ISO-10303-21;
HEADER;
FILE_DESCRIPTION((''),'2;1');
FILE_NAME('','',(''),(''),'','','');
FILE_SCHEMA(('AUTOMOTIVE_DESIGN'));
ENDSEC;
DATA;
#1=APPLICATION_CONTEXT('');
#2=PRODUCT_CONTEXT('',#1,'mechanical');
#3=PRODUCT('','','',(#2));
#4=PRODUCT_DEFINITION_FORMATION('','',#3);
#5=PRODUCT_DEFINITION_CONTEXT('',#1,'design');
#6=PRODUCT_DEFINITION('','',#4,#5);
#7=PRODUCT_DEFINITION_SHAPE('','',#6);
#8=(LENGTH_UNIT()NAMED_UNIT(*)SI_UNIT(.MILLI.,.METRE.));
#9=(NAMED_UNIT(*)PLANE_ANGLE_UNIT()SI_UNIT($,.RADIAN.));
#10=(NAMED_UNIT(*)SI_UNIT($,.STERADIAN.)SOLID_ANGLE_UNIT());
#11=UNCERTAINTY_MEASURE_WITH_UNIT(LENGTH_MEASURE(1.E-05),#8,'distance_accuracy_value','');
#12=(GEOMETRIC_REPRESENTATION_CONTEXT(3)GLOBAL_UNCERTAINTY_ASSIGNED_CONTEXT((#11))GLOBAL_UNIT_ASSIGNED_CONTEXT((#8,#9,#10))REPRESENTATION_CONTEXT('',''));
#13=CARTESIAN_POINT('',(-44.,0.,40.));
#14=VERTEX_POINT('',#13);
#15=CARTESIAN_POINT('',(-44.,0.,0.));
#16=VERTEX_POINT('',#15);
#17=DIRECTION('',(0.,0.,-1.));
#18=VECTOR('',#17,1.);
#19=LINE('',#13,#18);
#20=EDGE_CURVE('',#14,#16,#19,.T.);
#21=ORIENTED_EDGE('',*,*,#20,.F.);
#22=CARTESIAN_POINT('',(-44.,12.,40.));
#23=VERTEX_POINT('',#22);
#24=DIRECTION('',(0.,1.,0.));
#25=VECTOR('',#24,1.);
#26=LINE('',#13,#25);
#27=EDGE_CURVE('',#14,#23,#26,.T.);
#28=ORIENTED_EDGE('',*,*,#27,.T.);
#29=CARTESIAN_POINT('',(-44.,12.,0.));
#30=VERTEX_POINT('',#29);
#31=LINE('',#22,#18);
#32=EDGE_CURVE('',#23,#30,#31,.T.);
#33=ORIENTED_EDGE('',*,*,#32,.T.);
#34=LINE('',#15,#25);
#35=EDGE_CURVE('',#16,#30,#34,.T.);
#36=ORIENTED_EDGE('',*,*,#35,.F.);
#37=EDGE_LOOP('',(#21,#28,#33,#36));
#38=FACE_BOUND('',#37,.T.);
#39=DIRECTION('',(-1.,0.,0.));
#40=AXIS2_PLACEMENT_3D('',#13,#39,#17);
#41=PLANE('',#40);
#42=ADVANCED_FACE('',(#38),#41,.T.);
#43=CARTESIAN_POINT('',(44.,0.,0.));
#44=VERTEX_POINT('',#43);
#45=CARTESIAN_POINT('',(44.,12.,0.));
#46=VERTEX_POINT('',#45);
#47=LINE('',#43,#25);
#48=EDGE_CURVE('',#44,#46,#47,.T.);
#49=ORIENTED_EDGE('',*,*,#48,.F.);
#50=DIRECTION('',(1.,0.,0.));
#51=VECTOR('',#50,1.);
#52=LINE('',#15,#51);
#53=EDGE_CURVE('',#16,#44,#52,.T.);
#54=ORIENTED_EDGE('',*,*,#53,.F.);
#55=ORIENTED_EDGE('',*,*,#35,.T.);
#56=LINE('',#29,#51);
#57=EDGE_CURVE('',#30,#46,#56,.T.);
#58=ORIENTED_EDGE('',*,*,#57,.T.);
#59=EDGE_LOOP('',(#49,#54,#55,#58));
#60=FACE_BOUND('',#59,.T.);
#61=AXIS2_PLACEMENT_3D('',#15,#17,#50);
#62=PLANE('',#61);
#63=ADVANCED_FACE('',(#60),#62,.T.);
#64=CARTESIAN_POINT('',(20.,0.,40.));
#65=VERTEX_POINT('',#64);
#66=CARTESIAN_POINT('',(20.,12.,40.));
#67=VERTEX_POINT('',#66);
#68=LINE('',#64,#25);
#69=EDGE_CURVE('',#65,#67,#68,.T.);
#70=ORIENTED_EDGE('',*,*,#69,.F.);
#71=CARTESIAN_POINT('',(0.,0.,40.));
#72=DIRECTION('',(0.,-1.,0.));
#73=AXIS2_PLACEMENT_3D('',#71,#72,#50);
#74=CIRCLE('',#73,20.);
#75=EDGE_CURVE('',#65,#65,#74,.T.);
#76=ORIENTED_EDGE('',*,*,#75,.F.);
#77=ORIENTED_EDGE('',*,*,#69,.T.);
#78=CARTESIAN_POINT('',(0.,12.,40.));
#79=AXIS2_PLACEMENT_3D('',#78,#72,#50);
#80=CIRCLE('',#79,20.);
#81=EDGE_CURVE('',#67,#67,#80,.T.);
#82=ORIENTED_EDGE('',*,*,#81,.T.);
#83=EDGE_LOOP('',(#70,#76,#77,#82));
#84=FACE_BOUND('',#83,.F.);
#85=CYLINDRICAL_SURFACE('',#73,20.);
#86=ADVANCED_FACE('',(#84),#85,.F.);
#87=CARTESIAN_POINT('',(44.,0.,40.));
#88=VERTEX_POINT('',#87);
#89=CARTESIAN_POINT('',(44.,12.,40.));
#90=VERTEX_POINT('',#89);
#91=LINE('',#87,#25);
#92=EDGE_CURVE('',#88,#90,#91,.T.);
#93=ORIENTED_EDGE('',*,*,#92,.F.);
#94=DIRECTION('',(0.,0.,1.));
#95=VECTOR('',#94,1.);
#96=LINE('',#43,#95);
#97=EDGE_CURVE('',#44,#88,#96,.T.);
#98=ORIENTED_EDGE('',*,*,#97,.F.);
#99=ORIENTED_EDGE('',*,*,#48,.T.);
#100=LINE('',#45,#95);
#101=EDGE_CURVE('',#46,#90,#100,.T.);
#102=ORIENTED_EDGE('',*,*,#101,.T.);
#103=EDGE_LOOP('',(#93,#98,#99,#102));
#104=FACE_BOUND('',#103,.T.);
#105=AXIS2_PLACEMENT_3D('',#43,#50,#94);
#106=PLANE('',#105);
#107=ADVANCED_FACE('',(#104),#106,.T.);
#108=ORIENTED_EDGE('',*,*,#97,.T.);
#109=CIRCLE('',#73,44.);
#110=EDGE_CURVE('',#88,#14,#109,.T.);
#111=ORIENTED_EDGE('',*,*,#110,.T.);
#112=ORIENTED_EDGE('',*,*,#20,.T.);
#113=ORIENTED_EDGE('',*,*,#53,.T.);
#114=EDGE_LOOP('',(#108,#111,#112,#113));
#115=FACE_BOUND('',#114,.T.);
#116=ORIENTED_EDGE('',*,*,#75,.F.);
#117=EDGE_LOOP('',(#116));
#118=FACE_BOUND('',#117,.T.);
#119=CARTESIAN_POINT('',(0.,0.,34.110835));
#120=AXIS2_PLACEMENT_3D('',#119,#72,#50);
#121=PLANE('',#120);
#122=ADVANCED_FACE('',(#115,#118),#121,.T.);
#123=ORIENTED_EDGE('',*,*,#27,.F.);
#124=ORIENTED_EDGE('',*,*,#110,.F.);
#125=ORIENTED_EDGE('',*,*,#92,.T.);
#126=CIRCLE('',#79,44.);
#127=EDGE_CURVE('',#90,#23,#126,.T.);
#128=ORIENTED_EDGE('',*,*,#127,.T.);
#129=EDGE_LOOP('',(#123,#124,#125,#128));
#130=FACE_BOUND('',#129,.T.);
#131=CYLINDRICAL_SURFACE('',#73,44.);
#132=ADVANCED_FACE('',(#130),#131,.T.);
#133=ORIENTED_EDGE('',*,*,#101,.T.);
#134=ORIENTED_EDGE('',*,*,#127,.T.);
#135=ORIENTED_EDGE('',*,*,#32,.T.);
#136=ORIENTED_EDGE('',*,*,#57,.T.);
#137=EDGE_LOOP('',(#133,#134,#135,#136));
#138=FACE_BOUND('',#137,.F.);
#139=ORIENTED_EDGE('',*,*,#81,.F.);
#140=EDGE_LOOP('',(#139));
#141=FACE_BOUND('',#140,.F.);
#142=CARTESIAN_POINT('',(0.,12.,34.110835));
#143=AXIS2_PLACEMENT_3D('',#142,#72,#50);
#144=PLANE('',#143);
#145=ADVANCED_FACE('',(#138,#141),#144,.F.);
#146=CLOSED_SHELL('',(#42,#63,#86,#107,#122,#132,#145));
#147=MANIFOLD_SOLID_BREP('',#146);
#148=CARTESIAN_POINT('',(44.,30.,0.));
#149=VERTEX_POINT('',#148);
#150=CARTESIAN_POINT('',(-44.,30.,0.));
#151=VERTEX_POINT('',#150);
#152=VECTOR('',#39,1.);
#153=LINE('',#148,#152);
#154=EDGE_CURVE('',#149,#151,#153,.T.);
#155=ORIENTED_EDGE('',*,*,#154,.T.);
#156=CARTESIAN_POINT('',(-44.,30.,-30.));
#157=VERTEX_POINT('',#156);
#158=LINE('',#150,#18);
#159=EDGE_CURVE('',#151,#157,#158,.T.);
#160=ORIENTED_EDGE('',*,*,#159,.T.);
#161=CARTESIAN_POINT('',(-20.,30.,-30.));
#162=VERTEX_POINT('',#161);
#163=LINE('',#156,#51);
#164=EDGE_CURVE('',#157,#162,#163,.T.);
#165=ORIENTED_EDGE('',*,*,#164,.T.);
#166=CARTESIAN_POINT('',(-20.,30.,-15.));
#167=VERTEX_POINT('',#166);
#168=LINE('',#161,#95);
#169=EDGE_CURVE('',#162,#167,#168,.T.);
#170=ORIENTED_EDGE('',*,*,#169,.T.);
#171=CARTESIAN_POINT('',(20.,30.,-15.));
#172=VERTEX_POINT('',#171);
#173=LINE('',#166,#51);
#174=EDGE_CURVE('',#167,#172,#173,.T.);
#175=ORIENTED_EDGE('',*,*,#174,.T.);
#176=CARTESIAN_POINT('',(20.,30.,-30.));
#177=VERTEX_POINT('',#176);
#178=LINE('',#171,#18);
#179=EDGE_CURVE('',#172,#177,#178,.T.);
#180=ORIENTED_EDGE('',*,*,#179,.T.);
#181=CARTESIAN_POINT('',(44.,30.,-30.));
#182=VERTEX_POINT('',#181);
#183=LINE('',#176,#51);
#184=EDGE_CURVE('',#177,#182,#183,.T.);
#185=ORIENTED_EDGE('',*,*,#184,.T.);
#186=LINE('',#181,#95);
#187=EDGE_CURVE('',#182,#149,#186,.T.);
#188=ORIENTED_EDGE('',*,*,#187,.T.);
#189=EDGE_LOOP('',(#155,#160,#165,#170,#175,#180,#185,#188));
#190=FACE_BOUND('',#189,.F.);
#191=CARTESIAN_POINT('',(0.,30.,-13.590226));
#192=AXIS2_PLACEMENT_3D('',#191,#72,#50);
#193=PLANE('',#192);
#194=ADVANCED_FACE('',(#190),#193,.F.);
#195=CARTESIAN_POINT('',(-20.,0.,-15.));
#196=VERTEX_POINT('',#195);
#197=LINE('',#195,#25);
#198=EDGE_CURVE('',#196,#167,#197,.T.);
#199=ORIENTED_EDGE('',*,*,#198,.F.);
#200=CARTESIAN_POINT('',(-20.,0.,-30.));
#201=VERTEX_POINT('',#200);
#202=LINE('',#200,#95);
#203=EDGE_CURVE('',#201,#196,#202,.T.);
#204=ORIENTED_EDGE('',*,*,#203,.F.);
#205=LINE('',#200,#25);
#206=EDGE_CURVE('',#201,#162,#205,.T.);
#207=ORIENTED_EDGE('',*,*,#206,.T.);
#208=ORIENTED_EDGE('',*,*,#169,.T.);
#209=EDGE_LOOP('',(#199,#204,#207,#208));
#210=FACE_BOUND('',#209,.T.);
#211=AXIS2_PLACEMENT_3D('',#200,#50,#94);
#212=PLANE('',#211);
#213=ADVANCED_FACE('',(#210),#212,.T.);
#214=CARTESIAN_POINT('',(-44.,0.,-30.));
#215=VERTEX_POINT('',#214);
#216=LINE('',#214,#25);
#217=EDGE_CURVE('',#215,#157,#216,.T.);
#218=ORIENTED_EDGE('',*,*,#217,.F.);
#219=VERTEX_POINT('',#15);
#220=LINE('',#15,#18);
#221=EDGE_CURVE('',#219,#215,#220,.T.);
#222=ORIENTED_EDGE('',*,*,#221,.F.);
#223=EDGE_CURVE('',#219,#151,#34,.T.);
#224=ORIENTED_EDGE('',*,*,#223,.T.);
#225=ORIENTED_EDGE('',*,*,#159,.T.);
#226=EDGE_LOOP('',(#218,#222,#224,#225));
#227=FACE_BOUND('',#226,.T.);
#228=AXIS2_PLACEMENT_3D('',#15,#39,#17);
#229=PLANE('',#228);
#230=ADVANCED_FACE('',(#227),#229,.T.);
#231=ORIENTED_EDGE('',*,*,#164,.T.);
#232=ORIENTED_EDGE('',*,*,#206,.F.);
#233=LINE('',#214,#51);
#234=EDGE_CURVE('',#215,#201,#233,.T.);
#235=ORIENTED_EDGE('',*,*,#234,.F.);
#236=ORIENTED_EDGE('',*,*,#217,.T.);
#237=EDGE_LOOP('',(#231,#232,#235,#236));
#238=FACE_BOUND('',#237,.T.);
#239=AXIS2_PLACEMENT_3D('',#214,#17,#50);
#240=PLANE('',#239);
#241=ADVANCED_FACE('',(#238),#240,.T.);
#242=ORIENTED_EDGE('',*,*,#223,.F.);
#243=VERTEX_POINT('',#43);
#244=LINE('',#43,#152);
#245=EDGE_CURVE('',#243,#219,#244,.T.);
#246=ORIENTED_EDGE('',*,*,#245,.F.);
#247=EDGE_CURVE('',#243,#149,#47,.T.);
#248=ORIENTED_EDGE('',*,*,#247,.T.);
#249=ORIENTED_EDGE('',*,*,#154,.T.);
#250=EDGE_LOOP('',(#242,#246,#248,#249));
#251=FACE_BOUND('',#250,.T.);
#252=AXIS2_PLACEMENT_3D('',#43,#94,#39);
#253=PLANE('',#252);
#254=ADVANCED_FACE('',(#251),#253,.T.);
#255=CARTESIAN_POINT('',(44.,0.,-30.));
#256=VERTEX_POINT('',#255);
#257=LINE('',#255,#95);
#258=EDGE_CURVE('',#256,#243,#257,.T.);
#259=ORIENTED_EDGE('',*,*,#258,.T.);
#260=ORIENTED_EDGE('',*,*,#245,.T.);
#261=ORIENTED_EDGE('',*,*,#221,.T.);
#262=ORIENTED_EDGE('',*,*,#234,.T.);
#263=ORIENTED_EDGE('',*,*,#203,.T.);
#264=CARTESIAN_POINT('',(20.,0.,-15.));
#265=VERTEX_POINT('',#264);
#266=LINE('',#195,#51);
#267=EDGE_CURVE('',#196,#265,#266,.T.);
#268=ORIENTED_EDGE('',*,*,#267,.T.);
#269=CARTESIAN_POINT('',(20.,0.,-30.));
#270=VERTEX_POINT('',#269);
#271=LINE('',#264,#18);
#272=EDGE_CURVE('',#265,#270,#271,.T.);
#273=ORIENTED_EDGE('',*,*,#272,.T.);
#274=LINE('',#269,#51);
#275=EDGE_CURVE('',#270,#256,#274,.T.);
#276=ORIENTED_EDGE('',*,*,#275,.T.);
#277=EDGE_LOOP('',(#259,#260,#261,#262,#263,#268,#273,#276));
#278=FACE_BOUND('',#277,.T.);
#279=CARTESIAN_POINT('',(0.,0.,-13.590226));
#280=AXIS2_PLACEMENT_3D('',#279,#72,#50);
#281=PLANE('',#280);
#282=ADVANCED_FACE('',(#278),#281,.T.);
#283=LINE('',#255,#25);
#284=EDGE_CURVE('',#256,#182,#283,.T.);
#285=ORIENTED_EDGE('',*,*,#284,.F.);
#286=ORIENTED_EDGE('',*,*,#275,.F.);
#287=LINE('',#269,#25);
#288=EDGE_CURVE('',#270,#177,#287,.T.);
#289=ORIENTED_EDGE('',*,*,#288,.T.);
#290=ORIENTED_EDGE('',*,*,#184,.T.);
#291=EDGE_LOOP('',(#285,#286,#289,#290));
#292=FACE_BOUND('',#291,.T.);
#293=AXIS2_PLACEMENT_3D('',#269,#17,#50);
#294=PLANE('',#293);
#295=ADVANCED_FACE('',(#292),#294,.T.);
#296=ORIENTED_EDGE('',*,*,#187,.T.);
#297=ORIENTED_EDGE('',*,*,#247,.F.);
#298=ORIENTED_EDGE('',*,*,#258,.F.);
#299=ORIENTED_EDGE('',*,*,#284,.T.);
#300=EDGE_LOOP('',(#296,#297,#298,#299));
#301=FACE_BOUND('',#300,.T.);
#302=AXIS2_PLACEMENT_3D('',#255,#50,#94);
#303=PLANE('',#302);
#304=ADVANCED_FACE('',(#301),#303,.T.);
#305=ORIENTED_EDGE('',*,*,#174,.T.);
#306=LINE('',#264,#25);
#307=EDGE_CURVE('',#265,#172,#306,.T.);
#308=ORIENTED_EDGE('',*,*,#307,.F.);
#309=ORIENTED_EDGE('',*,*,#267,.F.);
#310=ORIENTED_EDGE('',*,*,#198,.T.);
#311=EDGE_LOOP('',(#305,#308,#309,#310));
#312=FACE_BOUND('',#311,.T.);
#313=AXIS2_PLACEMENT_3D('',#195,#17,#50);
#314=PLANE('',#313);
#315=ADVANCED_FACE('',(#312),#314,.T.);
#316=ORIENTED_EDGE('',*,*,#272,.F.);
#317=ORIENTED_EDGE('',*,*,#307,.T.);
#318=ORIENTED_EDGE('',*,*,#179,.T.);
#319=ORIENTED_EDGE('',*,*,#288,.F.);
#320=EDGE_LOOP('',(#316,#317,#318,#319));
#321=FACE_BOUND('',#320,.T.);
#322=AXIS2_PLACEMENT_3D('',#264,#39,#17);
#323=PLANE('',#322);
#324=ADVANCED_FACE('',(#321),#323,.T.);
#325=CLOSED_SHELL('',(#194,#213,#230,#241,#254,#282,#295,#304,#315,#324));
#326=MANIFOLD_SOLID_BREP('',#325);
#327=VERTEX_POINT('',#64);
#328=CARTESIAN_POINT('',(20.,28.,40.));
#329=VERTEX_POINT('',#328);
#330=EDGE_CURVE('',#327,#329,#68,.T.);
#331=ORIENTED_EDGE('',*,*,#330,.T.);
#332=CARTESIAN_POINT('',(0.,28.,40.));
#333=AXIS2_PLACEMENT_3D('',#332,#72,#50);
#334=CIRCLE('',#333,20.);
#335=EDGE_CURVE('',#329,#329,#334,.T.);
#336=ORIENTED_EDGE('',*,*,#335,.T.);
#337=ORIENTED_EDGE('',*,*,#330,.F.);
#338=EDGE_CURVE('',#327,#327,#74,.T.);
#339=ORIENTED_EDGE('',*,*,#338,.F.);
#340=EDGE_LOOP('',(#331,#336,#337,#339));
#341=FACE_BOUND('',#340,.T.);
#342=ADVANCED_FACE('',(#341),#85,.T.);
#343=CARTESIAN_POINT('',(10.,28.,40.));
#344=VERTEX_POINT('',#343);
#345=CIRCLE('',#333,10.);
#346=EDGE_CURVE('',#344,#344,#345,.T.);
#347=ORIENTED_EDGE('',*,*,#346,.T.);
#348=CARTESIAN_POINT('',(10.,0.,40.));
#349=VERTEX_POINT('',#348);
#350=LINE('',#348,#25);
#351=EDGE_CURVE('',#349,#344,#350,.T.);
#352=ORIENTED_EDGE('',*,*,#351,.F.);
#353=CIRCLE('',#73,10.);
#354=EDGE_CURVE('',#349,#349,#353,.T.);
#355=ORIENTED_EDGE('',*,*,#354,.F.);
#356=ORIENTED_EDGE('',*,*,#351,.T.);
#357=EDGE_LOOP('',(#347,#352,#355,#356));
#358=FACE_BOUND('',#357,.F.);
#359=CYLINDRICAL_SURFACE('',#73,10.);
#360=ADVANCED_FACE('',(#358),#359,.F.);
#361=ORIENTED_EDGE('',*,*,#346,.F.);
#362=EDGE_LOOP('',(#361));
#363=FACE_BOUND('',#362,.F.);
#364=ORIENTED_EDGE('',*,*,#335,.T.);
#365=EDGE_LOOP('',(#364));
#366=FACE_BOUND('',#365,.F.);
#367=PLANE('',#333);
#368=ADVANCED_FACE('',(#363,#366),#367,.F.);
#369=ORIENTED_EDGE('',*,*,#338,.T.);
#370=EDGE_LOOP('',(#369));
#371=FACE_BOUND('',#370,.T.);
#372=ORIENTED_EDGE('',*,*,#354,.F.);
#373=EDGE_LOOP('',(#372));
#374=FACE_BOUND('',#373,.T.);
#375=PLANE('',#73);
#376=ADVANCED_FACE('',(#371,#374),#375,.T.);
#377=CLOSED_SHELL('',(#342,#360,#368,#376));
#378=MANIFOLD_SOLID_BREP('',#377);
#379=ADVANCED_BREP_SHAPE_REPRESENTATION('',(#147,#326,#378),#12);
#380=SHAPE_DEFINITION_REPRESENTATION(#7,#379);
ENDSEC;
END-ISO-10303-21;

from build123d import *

# Parameters (mm, degrees)
F1_DEPTH = 30
F0_R     = 20
F2_DEPTH = 12
F0_R_2   = 10
F3_DEPTH = 28


with BuildPart() as f1:
    # F0 (on Front) → F1 (new body)
    with BuildSketch(Plane.XZ):
        Polygon((-44, 0), (-44, -30), (-20, -30), (-20, -15), (20, -15), (20, -30), (44, -30), (44, 0), align=None)
    extrude(amount=-F1_DEPTH)


with BuildPart() as f2:
    # F0 (on Front) → F2 (new body)
    with BuildSketch(Plane.XZ):
        with BuildLine():
            Line((-44, 40), (-44, 0))
            Line((-44, 0), (44, 0))
            Line((44, 0), (44, 40))
            ThreePointArc((44, 40), (0, 84), (-44, 40))
        make_face()
        with Locations((0, 40)):
            Circle(F0_R, mode=Mode.SUBTRACT)
    extrude(amount=-F2_DEPTH)


with BuildPart() as f3:
    # F0 (on Front) → F3 (new body)
    with BuildSketch(Plane.XZ):
        with Locations((0, 40)):
            Circle(F0_R)
        with Locations((0, 40)):
            Circle(F0_R_2, mode=Mode.SUBTRACT)
    extrude(amount=-F3_DEPTH)


solid = Compound([f1.part, f2.part, f3.part])
